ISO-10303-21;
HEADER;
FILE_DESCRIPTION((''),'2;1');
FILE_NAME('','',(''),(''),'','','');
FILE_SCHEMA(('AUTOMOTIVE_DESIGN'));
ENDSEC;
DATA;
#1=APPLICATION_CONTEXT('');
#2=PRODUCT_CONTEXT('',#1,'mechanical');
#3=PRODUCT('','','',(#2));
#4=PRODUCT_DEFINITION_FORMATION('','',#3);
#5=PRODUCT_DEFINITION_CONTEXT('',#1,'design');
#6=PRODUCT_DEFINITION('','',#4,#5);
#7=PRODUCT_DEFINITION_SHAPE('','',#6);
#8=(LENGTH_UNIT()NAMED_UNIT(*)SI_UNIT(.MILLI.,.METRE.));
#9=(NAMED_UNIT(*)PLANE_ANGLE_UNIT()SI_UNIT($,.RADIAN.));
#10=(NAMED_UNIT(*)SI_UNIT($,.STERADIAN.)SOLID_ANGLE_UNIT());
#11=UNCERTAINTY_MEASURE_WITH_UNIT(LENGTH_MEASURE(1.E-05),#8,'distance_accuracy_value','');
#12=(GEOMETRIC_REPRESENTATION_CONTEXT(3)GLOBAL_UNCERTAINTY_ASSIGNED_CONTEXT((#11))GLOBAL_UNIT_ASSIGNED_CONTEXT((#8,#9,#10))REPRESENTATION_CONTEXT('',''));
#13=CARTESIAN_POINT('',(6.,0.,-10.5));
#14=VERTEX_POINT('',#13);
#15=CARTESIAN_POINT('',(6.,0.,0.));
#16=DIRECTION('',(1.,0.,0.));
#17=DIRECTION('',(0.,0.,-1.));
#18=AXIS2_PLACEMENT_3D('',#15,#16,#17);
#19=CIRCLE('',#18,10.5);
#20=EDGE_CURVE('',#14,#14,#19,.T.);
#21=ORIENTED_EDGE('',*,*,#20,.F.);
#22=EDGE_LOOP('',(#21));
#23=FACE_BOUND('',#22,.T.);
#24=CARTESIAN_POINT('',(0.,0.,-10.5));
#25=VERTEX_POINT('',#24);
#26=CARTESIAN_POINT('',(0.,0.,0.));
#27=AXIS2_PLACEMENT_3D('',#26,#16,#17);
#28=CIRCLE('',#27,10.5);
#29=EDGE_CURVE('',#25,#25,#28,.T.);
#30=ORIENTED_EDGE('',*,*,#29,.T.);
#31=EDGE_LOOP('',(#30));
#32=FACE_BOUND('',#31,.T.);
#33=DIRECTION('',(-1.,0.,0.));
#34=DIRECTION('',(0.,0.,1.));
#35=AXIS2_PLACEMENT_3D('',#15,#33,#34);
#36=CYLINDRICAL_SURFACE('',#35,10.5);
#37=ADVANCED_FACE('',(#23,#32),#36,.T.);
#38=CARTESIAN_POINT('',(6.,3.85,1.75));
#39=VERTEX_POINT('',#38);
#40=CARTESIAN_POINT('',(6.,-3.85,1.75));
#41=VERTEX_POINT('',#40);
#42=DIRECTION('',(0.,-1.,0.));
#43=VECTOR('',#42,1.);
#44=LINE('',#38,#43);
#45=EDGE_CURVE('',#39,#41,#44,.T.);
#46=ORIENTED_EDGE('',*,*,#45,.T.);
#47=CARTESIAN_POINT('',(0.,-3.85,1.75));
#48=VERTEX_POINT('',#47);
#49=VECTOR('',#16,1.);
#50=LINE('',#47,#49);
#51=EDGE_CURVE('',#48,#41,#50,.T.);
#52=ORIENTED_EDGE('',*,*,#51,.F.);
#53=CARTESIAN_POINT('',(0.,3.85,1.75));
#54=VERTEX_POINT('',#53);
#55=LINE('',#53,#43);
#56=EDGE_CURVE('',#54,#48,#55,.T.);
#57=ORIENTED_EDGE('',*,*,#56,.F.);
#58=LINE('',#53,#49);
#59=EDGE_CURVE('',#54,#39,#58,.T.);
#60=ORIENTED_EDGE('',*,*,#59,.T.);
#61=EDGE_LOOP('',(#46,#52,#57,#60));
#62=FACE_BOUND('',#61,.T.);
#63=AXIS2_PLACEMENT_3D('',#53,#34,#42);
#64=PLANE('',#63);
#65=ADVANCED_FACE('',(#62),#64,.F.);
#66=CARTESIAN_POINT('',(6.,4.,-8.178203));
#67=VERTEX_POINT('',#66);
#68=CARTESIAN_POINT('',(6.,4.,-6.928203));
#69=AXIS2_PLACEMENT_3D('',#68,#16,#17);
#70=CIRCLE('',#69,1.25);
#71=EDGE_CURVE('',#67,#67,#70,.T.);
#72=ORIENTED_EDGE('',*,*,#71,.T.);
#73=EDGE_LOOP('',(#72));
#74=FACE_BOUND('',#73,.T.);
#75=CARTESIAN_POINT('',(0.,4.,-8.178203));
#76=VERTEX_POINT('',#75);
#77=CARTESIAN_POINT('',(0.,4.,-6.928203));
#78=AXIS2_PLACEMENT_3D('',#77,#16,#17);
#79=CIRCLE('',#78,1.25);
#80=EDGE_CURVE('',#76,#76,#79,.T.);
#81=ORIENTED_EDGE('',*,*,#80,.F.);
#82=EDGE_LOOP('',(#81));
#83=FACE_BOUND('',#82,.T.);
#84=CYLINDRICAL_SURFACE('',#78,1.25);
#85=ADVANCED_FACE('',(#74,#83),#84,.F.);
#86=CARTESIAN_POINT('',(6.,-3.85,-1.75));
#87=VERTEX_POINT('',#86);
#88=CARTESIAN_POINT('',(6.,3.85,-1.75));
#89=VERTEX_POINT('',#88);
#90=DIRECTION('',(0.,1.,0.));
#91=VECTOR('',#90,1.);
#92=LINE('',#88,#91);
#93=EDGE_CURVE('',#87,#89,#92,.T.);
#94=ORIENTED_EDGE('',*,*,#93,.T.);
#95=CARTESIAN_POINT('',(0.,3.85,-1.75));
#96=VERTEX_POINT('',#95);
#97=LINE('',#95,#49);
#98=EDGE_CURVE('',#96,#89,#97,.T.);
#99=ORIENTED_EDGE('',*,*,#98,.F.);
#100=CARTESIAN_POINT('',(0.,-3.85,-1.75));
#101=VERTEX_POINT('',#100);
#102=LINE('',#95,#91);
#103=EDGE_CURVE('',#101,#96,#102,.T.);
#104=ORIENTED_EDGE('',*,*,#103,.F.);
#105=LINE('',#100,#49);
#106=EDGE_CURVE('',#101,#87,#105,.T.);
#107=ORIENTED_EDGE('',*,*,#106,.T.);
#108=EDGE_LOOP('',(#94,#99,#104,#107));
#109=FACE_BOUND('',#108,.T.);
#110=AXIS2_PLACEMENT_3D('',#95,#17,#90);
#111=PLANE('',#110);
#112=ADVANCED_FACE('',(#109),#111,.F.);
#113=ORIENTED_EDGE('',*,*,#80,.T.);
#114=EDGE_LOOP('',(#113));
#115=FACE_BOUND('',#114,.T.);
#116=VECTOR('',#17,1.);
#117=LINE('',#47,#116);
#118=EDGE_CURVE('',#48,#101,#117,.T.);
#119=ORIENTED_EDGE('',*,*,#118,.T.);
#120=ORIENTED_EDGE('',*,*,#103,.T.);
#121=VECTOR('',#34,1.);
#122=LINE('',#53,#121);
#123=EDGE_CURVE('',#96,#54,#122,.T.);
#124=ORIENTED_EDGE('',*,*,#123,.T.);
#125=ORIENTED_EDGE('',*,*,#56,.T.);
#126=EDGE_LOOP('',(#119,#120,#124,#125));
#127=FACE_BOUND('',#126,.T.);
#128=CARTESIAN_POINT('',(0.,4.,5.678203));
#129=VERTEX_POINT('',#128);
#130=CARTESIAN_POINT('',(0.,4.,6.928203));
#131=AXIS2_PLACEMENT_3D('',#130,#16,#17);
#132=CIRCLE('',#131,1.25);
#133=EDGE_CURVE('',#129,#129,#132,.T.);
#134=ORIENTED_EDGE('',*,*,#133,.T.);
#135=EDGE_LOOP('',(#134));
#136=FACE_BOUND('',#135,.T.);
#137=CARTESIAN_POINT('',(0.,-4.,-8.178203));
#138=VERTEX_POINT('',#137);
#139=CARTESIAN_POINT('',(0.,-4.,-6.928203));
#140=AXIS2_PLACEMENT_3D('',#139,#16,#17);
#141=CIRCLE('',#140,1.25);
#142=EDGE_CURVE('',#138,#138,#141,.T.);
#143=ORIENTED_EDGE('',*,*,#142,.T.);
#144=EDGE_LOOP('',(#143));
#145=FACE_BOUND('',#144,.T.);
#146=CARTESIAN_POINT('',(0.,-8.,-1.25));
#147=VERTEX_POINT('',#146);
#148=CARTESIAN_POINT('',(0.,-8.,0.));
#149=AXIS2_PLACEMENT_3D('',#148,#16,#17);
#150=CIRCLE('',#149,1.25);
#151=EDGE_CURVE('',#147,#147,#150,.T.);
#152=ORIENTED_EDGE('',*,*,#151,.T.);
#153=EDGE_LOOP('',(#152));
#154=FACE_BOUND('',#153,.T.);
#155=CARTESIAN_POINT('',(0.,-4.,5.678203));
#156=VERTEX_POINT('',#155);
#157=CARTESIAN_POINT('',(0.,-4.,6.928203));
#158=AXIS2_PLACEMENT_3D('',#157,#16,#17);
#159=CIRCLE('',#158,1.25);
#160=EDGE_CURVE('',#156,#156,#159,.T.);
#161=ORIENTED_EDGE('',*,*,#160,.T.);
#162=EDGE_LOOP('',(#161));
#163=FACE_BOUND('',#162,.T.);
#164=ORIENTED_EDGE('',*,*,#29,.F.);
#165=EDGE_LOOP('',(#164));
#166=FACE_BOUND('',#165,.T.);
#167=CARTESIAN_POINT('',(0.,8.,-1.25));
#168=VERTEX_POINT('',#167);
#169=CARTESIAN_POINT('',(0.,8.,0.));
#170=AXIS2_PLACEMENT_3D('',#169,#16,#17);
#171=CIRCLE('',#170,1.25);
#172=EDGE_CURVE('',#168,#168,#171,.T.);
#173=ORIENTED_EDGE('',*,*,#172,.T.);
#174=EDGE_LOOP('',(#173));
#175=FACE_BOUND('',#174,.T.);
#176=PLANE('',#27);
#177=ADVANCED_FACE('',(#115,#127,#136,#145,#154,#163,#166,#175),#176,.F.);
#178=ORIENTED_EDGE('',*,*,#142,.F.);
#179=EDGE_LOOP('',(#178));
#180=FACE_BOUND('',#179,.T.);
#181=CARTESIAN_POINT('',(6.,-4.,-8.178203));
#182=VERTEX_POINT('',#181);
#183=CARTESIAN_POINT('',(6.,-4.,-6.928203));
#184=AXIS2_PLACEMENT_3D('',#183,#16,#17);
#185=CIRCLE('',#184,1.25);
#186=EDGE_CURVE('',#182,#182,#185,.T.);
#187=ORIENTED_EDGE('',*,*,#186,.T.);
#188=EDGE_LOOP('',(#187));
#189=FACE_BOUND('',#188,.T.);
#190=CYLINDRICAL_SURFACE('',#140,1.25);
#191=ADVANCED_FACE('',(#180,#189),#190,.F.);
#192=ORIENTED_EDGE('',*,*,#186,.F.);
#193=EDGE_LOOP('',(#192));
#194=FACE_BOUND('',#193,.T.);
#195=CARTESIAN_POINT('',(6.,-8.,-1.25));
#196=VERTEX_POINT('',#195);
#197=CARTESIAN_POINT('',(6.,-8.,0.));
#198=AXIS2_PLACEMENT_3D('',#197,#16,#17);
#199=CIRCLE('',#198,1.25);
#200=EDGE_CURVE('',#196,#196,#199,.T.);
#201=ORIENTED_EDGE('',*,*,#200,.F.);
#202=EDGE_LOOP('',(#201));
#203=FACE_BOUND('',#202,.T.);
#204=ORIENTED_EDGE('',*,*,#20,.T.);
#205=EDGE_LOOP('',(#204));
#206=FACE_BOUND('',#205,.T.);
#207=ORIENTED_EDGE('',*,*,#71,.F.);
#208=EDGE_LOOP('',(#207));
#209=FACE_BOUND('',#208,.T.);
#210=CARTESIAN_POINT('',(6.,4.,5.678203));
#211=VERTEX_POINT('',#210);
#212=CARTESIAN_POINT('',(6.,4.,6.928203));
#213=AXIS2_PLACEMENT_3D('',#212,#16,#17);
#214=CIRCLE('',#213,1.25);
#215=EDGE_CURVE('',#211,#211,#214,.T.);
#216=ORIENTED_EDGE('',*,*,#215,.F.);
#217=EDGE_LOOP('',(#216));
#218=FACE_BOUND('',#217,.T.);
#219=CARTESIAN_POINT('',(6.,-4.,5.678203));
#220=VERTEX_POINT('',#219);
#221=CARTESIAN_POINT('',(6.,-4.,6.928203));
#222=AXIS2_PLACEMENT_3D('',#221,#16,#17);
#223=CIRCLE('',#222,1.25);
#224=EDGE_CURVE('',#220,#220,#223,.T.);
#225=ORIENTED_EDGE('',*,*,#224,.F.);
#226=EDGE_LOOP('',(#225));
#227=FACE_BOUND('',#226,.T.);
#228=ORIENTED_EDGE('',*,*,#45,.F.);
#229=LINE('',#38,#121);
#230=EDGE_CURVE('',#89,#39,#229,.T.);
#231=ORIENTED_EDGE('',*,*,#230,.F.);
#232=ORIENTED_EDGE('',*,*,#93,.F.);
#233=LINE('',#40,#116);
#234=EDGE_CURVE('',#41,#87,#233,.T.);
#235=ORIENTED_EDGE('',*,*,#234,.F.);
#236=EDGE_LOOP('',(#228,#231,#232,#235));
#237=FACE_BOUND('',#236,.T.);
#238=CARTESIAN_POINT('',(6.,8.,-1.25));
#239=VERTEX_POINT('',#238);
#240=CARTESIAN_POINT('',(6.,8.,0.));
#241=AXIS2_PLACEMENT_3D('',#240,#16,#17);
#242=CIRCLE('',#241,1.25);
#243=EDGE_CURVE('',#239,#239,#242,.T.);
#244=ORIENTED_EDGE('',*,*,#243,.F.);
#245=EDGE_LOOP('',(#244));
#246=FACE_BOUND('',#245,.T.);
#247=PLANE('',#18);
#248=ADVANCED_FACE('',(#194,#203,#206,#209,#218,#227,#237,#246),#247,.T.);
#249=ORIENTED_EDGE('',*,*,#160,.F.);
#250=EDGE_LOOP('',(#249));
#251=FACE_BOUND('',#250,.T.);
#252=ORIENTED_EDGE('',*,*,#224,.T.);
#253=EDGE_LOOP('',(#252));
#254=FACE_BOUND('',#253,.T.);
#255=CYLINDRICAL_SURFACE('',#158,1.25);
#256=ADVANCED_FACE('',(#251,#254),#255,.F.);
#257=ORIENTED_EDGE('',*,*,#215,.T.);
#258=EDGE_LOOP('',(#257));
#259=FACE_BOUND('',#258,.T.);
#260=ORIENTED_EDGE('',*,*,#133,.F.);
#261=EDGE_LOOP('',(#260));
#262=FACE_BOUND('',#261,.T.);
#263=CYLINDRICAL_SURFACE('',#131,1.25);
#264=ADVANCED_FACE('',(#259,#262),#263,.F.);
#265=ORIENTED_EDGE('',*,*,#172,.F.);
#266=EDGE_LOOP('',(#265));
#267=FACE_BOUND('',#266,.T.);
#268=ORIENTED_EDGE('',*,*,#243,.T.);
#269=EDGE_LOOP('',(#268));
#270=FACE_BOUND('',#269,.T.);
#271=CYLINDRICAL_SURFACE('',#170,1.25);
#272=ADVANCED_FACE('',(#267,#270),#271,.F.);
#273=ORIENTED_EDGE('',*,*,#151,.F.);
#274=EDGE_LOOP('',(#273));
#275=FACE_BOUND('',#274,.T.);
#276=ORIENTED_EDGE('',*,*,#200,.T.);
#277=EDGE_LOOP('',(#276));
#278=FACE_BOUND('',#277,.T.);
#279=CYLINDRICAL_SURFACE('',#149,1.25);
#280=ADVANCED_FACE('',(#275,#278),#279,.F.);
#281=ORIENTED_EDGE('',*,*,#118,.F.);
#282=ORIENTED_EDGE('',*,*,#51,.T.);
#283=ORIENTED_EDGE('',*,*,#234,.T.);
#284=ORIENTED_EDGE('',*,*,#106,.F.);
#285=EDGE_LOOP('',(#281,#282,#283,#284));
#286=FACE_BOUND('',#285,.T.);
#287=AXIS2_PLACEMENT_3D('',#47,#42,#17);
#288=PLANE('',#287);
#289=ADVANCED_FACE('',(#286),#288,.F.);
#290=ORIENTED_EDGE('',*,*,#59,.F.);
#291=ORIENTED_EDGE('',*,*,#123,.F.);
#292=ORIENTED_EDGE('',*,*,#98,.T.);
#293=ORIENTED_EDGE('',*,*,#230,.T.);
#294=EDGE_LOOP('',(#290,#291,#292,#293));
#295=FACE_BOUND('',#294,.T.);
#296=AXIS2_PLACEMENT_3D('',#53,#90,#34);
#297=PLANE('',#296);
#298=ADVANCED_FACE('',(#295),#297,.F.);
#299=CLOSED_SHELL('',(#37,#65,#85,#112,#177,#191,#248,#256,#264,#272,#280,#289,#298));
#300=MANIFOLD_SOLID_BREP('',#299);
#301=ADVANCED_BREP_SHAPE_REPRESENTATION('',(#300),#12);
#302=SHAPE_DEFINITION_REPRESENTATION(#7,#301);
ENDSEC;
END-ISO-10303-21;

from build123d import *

# Parameters (mm, degrees)
SKETCH1_R           = 10.5
BOSS_EXTRUDE1_DEPTH = 6
SKETCH2_R           = 1.25
CUT_EXTRUDE1_DEPTH  = 17.015617378
SKETCH3_W           = 3.5
SKETCH3_H           = 7.7
CUT_EXTRUDE2_DEPTH  = 6


with BuildPart() as part:
    # Sketch1 → Boss-Extrude1 (new body)
    with BuildSketch(Plane(origin=(0, 0, 0), x_dir=(0, 0, -1), z_dir=(1, 0, 0))):
        Circle(SKETCH1_R)
    extrude(amount=BOSS_EXTRUDE1_DEPTH)

    # Sketch2 → Cut-Extrude1 (cut, through all)
    with BuildSketch(Plane(origin=(6, 0, 0), x_dir=(0, 0, -1), z_dir=(1, 0, 0))):
        with Locations((0, 8)):
            Circle(SKETCH2_R)
        with Locations((6.92820323, 4)):
            Circle(SKETCH2_R)
        with Locations((6.92820323, -4)):
            Circle(SKETCH2_R)
        with Locations((0, -8)):
            Circle(SKETCH2_R)
        with Locations((-6.92820323, -4)):
            Circle(SKETCH2_R)
        with Locations((-6.92820323, 4)):
            Circle(SKETCH2_R)
    extrude(amount=-CUT_EXTRUDE1_DEPTH, mode=Mode.SUBTRACT)

    # Sketch3 → Cut-Extrude2 (cut)
    with BuildSketch(Plane(origin=(6, 0, 0), x_dir=(0, 0, -1), z_dir=(1, 0, 0))):
        Rectangle(SKETCH3_W, SKETCH3_H)
    extrude(amount=-CUT_EXTRUDE2_DEPTH, mode=Mode.SUBTRACT)


solid = part.part
